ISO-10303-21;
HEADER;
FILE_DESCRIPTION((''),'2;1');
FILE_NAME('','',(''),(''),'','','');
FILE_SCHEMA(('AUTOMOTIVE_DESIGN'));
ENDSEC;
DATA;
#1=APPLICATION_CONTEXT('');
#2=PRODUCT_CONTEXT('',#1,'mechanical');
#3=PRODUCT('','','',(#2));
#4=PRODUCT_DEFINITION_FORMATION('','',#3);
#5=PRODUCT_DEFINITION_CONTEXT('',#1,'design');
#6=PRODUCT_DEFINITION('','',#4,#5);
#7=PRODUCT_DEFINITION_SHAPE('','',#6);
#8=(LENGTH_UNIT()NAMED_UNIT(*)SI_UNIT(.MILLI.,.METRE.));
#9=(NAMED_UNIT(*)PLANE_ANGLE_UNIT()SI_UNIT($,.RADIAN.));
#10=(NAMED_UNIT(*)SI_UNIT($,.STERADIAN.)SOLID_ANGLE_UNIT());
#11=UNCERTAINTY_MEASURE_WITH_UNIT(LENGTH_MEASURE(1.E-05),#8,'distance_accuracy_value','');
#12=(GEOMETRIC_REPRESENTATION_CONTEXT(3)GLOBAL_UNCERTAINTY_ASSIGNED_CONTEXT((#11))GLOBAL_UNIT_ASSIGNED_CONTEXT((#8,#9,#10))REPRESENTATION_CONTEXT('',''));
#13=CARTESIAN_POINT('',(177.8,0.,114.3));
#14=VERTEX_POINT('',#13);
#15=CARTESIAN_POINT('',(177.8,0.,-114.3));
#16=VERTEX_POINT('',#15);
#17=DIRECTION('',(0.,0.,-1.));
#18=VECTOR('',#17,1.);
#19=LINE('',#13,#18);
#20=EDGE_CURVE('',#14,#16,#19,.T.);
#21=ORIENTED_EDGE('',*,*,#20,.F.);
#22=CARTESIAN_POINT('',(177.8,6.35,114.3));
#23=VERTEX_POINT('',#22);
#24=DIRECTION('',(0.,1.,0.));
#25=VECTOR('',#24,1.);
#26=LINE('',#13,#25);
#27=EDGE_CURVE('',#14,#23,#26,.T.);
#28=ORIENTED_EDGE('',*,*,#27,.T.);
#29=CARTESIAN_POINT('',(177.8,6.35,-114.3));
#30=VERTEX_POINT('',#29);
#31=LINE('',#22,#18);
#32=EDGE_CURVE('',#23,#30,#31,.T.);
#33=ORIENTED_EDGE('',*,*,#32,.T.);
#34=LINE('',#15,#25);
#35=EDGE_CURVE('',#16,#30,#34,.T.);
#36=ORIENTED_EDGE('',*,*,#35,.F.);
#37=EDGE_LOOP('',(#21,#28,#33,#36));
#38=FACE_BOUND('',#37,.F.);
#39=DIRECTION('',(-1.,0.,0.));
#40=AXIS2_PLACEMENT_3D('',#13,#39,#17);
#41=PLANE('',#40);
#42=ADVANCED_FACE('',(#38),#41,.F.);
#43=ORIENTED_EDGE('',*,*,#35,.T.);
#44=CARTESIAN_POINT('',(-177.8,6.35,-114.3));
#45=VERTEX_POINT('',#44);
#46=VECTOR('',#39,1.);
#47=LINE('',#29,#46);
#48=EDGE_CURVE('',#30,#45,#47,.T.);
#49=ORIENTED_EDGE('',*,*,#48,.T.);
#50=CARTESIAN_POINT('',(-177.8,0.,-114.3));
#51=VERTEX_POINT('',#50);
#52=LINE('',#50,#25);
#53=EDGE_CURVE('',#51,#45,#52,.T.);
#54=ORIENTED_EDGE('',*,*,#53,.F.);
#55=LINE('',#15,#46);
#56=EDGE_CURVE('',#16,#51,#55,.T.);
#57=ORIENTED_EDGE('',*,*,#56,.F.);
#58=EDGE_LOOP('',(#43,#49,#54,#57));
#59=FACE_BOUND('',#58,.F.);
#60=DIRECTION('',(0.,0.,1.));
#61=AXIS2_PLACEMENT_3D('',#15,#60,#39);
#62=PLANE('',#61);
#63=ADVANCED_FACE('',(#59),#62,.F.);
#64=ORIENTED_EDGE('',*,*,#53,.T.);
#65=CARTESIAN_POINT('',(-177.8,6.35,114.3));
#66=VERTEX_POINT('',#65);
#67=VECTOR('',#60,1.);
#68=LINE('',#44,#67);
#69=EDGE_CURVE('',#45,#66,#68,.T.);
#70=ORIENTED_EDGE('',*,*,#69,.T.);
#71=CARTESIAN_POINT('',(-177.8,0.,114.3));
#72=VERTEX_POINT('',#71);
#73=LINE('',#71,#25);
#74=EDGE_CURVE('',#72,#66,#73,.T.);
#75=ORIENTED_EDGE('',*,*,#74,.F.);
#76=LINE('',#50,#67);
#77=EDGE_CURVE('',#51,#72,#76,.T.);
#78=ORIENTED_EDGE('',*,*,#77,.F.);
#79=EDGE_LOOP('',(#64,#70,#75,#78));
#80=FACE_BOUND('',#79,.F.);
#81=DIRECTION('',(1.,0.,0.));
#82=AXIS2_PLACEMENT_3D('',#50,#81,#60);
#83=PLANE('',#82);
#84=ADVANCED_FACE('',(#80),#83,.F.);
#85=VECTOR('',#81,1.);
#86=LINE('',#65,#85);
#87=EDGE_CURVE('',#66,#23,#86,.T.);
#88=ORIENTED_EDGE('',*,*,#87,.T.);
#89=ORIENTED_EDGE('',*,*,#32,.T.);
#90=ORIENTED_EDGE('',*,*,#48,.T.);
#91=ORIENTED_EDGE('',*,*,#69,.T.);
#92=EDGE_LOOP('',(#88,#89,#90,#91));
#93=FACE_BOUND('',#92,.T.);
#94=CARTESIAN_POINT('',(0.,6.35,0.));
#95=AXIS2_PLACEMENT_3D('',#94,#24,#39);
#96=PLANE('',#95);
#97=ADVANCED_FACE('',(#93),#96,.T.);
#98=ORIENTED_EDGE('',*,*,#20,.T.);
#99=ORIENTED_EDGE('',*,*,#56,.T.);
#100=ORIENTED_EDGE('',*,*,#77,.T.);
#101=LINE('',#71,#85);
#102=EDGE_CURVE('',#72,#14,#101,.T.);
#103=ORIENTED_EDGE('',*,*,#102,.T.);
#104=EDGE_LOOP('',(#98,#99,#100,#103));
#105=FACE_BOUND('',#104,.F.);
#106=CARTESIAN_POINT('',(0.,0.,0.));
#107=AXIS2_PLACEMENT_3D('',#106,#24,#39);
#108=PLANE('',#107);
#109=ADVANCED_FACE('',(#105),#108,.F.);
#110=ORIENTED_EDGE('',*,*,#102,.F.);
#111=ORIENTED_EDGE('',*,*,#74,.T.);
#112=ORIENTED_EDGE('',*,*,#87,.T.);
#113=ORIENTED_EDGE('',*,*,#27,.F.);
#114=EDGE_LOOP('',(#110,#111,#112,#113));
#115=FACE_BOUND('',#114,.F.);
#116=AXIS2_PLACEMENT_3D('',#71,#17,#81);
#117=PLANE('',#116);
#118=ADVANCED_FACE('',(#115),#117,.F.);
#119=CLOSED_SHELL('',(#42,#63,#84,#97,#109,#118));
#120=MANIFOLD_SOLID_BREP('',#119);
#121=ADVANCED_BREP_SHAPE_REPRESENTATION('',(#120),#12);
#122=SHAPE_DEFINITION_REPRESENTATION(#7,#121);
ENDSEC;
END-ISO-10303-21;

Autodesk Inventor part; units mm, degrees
ref_plane "YZ Plane" through (0, 0, 0) normal (1, 0, 0) x (0, 1, 0)
ref_plane "XZ Plane" through (0, 0, 0) normal (0, 1, 0) x (-1, 0, 0)
ref_plane "XY Plane" through (0, 0, 0) normal (0, 0, 1) x (1, 0, 0)
sketch "Sketch1" plane through (0, 0, 0) normal (0, 1, 0) x (-1, 0, 0)
  line L0 (177.8, 114.3) -> (-177.8, 114.3)
  line L1 (-177.8, 114.3) -> (-177.8, -114.3)
  line L2 (-177.8, -114.3) -> (177.8, -114.3)
  line L3 (177.8, -114.3) -> (177.8, 114.3)
  line L4 (177.8, 114.3) -> (-177.8, -114.3) construction
  line L5 (-177.8, 114.3) -> (177.8, -114.3) construction
  point P0 (0, 0)
  dimension "d0" = 355.6
  dimension "d1" = 228.6
extrude "Extrusion1" add sketch "Sketch1" along normal blind 6.35
properties part number "panel_14x8" material "Glass"
